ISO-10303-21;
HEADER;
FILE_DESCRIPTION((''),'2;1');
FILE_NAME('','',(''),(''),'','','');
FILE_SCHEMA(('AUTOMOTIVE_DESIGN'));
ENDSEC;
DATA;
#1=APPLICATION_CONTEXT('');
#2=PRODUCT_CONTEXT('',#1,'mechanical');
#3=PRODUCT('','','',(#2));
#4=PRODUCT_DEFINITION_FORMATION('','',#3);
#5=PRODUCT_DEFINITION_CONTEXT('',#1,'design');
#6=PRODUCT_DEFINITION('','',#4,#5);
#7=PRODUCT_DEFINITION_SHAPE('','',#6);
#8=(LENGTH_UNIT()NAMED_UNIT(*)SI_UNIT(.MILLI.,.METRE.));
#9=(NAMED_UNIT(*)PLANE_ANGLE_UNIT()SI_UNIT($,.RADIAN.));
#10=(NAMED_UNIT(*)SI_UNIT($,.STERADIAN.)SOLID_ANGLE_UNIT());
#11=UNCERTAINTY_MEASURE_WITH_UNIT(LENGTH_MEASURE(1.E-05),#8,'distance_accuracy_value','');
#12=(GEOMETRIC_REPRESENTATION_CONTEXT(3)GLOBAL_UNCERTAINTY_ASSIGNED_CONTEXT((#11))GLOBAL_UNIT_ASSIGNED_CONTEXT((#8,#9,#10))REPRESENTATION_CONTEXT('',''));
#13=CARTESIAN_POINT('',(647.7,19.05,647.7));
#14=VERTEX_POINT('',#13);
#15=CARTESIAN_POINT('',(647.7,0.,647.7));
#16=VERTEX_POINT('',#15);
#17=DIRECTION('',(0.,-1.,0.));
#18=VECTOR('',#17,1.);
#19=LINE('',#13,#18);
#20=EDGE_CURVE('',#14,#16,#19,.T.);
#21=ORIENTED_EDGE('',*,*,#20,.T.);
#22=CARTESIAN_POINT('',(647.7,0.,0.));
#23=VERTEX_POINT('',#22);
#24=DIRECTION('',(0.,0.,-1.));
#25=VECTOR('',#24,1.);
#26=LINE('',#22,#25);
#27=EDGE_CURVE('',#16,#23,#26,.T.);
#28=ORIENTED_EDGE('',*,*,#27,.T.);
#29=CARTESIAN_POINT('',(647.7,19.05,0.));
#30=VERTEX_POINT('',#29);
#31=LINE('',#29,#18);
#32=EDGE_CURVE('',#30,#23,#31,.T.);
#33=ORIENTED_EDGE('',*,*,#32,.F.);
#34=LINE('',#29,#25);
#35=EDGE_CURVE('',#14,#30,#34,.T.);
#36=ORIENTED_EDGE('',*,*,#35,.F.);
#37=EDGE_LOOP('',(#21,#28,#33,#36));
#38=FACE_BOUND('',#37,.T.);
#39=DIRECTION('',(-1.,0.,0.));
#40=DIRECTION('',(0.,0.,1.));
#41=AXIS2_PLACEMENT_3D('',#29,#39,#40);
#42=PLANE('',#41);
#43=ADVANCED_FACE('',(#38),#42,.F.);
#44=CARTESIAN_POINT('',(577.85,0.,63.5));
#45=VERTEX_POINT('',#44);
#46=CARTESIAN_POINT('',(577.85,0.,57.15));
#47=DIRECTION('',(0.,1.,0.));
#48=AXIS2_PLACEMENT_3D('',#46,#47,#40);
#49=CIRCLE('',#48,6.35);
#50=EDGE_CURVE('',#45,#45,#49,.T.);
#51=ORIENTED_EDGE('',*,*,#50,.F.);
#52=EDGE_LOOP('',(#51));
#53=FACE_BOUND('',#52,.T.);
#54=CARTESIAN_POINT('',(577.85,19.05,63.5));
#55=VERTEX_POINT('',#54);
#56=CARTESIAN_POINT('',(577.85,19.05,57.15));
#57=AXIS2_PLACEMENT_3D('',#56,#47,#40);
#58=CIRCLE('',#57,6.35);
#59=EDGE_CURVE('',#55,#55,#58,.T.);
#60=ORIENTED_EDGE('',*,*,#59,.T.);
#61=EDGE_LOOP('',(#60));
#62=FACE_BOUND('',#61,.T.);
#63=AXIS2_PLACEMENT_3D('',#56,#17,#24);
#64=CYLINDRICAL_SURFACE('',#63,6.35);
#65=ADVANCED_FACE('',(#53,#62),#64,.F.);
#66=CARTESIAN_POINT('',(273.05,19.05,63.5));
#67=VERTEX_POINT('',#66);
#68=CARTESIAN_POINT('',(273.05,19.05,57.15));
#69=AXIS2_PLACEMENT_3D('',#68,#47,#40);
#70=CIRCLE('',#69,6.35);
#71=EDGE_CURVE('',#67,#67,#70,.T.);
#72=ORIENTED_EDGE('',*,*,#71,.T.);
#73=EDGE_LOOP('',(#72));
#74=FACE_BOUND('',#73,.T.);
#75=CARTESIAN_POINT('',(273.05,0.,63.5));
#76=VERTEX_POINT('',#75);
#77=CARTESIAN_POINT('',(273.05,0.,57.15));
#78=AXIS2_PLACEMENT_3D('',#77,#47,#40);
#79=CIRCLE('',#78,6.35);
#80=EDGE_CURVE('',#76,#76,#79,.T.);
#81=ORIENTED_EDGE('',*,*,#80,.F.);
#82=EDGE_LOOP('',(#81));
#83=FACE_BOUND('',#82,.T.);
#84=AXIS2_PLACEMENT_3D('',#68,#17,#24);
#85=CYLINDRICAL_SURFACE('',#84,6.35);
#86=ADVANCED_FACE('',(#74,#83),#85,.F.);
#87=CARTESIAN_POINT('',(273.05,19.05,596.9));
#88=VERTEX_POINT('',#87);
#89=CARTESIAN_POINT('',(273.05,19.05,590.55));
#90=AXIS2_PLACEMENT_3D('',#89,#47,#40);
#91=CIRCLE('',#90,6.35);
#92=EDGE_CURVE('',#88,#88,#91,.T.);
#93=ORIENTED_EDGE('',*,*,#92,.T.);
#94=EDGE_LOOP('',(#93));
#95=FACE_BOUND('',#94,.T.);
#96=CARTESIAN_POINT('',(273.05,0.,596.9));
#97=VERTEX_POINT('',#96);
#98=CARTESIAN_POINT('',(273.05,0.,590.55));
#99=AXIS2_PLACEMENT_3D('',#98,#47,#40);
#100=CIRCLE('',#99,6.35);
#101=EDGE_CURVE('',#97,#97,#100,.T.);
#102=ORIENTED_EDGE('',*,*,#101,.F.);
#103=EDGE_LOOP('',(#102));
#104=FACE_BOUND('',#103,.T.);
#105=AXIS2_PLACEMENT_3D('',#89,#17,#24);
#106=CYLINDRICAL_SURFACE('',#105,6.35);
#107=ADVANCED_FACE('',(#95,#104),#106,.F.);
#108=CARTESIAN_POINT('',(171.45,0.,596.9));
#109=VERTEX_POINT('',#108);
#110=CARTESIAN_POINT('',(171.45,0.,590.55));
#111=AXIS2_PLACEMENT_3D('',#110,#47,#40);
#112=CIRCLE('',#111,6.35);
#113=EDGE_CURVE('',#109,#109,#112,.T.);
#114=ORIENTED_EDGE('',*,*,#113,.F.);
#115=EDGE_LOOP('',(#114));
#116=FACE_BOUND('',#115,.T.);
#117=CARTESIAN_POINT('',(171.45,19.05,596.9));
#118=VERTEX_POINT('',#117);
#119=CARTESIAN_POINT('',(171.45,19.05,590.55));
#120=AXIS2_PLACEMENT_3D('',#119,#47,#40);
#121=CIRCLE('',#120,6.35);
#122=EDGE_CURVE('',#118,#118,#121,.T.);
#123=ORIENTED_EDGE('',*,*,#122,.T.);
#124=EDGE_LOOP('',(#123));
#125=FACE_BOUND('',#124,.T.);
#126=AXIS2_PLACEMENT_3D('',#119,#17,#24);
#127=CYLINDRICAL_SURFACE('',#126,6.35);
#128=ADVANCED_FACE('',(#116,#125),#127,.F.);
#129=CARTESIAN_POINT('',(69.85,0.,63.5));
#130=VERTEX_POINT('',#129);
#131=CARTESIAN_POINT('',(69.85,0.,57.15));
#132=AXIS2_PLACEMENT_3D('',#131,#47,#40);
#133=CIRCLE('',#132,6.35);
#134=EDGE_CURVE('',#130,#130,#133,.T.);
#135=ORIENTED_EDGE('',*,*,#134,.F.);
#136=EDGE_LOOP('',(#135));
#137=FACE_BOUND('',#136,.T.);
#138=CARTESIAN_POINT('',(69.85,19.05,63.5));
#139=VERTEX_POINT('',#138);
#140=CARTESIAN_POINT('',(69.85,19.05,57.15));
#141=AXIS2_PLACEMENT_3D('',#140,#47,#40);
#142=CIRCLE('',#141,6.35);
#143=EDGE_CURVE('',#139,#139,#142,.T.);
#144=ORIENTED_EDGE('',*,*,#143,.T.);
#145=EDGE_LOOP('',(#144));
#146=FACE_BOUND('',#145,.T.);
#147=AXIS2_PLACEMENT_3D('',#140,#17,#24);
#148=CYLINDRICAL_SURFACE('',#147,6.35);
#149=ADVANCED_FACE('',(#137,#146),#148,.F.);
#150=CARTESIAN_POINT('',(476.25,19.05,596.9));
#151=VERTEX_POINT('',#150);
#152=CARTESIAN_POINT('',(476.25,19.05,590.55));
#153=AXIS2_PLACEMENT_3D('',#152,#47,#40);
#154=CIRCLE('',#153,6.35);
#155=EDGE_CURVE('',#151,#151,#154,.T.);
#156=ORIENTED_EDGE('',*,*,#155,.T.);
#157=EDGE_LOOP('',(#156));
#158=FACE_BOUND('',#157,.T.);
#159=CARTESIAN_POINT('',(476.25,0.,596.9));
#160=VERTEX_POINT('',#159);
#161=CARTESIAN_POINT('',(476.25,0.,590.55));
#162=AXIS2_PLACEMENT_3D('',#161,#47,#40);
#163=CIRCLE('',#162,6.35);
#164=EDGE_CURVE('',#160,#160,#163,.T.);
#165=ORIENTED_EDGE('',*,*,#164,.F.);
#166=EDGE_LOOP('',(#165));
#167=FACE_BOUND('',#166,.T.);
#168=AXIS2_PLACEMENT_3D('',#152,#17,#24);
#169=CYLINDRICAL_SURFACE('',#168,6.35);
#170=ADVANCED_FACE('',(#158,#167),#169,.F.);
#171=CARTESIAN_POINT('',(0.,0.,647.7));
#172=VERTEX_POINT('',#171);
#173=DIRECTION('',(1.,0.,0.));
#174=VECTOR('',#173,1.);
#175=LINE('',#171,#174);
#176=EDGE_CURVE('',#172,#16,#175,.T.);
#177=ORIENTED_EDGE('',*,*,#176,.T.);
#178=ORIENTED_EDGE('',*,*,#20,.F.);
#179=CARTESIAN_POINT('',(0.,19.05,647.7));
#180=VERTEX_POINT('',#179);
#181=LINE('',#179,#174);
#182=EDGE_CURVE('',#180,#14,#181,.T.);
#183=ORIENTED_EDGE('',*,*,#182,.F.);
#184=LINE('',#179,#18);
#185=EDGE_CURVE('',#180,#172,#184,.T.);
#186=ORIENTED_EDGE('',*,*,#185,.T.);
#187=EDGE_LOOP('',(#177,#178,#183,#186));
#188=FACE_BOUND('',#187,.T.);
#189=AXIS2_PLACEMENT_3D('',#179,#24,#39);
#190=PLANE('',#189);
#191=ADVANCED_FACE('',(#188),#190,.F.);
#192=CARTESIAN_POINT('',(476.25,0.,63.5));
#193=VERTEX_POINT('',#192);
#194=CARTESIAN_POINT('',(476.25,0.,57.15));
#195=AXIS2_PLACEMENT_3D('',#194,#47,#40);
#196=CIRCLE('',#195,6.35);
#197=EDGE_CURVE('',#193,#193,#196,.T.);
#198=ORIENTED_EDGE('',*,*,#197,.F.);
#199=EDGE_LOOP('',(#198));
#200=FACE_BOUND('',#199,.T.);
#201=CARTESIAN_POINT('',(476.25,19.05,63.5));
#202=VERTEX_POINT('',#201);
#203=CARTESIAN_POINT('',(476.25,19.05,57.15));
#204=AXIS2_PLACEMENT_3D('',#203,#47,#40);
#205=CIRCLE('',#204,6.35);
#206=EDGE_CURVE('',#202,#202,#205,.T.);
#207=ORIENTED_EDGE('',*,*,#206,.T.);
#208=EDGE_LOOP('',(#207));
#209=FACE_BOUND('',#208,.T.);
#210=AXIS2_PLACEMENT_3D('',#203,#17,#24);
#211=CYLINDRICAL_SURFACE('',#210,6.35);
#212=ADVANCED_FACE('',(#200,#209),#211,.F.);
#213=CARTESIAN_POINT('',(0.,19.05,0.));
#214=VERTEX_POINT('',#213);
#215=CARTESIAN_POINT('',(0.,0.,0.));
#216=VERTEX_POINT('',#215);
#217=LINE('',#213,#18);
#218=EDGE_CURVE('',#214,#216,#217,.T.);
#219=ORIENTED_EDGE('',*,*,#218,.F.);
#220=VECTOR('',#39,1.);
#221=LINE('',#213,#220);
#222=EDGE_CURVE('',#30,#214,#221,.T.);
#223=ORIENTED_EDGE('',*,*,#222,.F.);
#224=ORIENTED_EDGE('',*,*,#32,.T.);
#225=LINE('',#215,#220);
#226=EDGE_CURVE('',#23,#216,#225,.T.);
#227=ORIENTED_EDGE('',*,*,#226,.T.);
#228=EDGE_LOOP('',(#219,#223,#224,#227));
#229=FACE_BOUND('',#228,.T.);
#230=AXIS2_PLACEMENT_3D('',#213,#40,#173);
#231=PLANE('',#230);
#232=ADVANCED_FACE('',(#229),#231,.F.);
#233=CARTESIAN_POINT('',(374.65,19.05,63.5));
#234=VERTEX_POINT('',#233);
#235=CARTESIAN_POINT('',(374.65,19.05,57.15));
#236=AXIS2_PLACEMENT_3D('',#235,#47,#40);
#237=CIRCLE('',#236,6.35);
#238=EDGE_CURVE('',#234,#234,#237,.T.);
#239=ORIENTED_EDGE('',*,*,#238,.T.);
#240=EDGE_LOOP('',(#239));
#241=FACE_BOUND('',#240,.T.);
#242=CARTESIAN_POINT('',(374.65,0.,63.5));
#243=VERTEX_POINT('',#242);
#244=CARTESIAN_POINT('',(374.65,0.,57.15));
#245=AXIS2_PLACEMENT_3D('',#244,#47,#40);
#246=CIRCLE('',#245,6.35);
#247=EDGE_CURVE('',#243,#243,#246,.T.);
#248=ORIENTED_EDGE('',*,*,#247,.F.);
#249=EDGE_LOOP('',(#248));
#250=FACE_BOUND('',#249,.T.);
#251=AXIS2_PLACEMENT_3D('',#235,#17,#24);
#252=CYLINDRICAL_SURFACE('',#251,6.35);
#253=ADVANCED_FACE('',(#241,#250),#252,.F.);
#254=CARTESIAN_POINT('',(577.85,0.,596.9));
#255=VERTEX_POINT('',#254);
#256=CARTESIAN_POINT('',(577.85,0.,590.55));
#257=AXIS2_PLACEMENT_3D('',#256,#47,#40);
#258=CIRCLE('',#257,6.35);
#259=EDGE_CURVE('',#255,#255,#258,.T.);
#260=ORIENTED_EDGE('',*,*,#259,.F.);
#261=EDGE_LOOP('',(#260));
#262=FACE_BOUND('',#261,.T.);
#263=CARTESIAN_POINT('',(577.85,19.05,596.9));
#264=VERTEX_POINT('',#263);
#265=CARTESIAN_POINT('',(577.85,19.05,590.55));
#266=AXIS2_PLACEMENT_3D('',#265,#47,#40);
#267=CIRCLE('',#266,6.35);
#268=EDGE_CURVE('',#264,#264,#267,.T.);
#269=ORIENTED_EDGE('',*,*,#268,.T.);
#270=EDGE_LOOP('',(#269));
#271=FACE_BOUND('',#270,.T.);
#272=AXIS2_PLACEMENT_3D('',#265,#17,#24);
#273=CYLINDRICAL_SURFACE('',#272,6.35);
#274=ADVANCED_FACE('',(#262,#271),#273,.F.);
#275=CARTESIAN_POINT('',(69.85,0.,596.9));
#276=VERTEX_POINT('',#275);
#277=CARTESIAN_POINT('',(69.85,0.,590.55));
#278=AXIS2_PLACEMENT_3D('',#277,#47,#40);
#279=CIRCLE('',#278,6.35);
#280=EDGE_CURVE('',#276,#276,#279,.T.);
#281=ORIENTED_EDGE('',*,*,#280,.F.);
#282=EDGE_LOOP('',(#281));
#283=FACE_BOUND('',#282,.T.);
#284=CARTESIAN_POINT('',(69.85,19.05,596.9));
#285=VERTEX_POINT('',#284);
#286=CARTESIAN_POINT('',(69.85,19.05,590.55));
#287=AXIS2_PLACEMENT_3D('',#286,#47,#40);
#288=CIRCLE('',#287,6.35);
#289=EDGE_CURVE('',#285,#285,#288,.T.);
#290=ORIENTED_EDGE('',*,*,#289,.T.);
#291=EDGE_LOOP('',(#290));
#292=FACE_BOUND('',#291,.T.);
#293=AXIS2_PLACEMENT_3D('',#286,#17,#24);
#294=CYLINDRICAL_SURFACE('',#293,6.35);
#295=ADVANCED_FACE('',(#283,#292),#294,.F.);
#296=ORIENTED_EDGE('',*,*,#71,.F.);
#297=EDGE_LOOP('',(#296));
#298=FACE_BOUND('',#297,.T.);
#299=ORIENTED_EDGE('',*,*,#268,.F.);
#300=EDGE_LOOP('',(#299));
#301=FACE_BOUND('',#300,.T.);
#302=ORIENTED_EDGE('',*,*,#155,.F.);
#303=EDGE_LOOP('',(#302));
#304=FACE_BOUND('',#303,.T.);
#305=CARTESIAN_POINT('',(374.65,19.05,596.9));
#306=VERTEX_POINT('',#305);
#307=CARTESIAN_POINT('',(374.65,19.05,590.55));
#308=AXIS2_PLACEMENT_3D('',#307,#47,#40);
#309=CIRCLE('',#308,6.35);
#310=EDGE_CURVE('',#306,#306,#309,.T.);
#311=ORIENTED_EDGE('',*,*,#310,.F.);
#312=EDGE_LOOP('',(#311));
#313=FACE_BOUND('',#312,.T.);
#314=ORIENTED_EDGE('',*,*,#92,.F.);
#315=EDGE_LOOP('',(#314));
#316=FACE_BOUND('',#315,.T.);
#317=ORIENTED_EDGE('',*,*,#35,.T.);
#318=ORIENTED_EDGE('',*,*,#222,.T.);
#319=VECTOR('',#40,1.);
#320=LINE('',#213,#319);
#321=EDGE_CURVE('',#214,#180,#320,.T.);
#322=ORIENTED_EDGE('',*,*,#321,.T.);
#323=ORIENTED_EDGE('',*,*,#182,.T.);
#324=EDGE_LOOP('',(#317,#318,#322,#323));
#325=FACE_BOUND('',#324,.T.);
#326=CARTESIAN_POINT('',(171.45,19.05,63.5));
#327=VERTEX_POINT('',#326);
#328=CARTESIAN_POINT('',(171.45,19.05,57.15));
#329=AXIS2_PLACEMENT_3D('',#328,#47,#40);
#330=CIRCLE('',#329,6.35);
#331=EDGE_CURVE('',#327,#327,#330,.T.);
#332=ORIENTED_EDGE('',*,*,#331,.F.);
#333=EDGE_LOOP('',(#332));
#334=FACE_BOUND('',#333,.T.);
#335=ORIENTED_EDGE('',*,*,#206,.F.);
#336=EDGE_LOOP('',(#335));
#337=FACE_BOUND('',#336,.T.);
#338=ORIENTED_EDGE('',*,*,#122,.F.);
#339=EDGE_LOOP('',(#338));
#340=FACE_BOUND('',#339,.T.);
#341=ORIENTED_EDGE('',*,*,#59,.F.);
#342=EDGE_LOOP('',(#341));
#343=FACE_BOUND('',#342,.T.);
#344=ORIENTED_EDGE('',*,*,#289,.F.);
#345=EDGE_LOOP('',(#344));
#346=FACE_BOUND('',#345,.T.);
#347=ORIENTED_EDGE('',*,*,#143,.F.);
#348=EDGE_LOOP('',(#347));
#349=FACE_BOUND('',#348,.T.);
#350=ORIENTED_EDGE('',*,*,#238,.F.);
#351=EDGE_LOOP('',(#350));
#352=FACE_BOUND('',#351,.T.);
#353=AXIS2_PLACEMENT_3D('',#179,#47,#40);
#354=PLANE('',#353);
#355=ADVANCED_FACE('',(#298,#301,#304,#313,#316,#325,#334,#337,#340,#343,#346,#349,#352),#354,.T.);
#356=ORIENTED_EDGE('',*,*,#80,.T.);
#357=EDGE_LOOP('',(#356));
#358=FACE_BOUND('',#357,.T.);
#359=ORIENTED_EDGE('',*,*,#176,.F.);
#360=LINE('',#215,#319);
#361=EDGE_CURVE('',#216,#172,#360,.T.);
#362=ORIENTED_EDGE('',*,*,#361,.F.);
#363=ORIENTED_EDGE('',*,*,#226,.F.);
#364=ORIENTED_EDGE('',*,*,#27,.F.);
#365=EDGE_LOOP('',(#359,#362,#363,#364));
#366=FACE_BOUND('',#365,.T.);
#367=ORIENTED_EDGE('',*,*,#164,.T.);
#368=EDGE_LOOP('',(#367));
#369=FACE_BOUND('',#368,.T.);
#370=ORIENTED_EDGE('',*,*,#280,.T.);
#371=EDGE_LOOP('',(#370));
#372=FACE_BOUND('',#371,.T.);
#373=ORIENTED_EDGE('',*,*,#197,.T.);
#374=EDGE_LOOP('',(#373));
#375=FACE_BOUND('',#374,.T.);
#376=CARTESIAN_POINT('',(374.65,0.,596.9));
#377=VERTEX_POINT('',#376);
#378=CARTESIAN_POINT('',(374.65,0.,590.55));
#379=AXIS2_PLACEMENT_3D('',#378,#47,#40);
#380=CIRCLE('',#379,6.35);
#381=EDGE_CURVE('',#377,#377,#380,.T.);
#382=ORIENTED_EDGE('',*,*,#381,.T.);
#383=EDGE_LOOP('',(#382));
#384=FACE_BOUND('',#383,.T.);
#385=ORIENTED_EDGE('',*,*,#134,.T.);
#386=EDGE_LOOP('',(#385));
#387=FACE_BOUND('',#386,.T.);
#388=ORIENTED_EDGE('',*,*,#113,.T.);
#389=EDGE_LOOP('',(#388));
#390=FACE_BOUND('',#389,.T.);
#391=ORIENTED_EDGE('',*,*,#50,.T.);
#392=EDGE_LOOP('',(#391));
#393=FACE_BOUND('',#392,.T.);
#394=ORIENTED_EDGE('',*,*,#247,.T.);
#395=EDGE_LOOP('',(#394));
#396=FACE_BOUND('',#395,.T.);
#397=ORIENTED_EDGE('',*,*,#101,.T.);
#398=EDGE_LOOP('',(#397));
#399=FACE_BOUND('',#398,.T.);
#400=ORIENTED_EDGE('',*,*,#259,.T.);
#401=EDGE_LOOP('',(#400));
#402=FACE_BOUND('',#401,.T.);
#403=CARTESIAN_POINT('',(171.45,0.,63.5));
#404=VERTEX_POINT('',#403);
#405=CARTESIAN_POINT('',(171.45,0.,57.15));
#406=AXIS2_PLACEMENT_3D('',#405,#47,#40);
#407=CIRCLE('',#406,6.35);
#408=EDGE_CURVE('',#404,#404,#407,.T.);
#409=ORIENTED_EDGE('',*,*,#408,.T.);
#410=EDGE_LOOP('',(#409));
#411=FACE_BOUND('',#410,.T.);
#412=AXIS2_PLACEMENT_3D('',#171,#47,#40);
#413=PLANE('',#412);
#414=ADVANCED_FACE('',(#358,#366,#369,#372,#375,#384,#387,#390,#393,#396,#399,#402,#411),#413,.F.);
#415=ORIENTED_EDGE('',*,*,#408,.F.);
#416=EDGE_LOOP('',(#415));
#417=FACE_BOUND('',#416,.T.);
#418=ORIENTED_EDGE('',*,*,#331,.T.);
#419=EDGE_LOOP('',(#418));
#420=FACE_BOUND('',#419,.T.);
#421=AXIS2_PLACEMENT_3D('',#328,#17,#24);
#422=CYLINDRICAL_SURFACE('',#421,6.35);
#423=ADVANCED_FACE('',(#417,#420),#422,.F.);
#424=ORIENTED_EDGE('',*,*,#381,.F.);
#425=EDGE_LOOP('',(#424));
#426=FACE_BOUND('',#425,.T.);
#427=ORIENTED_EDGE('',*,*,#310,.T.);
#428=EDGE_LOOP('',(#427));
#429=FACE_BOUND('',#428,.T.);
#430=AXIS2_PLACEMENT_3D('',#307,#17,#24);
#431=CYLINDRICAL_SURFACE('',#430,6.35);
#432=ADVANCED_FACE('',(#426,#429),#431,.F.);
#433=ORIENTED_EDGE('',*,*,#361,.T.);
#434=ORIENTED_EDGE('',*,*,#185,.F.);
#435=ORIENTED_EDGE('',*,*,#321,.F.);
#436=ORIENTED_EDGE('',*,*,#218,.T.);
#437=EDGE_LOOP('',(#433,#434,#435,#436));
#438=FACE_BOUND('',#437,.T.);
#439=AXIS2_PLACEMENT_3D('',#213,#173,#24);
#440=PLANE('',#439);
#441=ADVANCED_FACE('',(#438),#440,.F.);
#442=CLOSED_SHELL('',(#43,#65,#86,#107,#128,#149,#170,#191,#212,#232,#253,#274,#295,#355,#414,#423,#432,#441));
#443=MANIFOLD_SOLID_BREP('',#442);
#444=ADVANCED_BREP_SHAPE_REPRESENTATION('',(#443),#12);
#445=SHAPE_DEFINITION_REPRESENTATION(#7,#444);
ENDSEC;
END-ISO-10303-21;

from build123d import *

# Parameters (mm, degrees)
SKETCH1_W           = 647.7
SKETCH1_H           = 647.7
SKETCH1_R           = 6.35
BOSS_EXTRUDE1_DEPTH = 19.05


with BuildPart() as part:
    # Sketch1 → Boss-Extrude1 (new body)
    with BuildSketch(Plane(origin=(0, 0, 0), x_dir=(1, 0, 0), z_dir=(0, 1, 0))):
        with Locations((323.85, -323.85)):
            Rectangle(SKETCH1_W, SKETCH1_H)
        with Locations(Location((69.85, -57.15, 0), (0, 0, 270))):  # turned: the seam where the file's is
            Circle(SKETCH1_R, mode=Mode.SUBTRACT)
        with Locations(Location((171.45, -57.15, 0), (0, 0, 270))):  # turned: the seam where the file's is
            Circle(SKETCH1_R, mode=Mode.SUBTRACT)
        with Locations(Location((273.05, -57.15, 0), (0, 0, 270))):  # turned: the seam where the file's is
            Circle(SKETCH1_R, mode=Mode.SUBTRACT)
        with Locations(Location((374.65, -57.15, 0), (0, 0, 270))):  # turned: the seam where the file's is
            Circle(SKETCH1_R, mode=Mode.SUBTRACT)
        with Locations(Location((476.25, -57.15, 0), (0, 0, 270))):  # turned: the seam where the file's is
            Circle(SKETCH1_R, mode=Mode.SUBTRACT)
        with Locations(Location((577.85, -57.15, 0), (0, 0, 270))):  # turned: the seam where the file's is
            Circle(SKETCH1_R, mode=Mode.SUBTRACT)
        with Locations(Location((69.85, -590.55, 0), (0, 0, 270))):  # turned: the seam where the file's is
            Circle(SKETCH1_R, mode=Mode.SUBTRACT)
        with Locations(Location((171.45, -590.55, 0), (0, 0, 270))):  # turned: the seam where the file's is
            Circle(SKETCH1_R, mode=Mode.SUBTRACT)
        with Locations(Location((273.05, -590.55, 0), (0, 0, 270))):  # turned: the seam where the file's is
            Circle(SKETCH1_R, mode=Mode.SUBTRACT)
        with Locations(Location((374.65, -590.55, 0), (0, 0, 270))):  # turned: the seam where the file's is
            Circle(SKETCH1_R, mode=Mode.SUBTRACT)
        with Locations(Location((476.25, -590.55, 0), (0, 0, 270))):  # turned: the seam where the file's is
            Circle(SKETCH1_R, mode=Mode.SUBTRACT)
        with Locations(Location((577.85, -590.55, 0), (0, 0, 270))):  # turned: the seam where the file's is
            Circle(SKETCH1_R, mode=Mode.SUBTRACT)
    extrude(amount=BOSS_EXTRUDE1_DEPTH)


solid = part.part
